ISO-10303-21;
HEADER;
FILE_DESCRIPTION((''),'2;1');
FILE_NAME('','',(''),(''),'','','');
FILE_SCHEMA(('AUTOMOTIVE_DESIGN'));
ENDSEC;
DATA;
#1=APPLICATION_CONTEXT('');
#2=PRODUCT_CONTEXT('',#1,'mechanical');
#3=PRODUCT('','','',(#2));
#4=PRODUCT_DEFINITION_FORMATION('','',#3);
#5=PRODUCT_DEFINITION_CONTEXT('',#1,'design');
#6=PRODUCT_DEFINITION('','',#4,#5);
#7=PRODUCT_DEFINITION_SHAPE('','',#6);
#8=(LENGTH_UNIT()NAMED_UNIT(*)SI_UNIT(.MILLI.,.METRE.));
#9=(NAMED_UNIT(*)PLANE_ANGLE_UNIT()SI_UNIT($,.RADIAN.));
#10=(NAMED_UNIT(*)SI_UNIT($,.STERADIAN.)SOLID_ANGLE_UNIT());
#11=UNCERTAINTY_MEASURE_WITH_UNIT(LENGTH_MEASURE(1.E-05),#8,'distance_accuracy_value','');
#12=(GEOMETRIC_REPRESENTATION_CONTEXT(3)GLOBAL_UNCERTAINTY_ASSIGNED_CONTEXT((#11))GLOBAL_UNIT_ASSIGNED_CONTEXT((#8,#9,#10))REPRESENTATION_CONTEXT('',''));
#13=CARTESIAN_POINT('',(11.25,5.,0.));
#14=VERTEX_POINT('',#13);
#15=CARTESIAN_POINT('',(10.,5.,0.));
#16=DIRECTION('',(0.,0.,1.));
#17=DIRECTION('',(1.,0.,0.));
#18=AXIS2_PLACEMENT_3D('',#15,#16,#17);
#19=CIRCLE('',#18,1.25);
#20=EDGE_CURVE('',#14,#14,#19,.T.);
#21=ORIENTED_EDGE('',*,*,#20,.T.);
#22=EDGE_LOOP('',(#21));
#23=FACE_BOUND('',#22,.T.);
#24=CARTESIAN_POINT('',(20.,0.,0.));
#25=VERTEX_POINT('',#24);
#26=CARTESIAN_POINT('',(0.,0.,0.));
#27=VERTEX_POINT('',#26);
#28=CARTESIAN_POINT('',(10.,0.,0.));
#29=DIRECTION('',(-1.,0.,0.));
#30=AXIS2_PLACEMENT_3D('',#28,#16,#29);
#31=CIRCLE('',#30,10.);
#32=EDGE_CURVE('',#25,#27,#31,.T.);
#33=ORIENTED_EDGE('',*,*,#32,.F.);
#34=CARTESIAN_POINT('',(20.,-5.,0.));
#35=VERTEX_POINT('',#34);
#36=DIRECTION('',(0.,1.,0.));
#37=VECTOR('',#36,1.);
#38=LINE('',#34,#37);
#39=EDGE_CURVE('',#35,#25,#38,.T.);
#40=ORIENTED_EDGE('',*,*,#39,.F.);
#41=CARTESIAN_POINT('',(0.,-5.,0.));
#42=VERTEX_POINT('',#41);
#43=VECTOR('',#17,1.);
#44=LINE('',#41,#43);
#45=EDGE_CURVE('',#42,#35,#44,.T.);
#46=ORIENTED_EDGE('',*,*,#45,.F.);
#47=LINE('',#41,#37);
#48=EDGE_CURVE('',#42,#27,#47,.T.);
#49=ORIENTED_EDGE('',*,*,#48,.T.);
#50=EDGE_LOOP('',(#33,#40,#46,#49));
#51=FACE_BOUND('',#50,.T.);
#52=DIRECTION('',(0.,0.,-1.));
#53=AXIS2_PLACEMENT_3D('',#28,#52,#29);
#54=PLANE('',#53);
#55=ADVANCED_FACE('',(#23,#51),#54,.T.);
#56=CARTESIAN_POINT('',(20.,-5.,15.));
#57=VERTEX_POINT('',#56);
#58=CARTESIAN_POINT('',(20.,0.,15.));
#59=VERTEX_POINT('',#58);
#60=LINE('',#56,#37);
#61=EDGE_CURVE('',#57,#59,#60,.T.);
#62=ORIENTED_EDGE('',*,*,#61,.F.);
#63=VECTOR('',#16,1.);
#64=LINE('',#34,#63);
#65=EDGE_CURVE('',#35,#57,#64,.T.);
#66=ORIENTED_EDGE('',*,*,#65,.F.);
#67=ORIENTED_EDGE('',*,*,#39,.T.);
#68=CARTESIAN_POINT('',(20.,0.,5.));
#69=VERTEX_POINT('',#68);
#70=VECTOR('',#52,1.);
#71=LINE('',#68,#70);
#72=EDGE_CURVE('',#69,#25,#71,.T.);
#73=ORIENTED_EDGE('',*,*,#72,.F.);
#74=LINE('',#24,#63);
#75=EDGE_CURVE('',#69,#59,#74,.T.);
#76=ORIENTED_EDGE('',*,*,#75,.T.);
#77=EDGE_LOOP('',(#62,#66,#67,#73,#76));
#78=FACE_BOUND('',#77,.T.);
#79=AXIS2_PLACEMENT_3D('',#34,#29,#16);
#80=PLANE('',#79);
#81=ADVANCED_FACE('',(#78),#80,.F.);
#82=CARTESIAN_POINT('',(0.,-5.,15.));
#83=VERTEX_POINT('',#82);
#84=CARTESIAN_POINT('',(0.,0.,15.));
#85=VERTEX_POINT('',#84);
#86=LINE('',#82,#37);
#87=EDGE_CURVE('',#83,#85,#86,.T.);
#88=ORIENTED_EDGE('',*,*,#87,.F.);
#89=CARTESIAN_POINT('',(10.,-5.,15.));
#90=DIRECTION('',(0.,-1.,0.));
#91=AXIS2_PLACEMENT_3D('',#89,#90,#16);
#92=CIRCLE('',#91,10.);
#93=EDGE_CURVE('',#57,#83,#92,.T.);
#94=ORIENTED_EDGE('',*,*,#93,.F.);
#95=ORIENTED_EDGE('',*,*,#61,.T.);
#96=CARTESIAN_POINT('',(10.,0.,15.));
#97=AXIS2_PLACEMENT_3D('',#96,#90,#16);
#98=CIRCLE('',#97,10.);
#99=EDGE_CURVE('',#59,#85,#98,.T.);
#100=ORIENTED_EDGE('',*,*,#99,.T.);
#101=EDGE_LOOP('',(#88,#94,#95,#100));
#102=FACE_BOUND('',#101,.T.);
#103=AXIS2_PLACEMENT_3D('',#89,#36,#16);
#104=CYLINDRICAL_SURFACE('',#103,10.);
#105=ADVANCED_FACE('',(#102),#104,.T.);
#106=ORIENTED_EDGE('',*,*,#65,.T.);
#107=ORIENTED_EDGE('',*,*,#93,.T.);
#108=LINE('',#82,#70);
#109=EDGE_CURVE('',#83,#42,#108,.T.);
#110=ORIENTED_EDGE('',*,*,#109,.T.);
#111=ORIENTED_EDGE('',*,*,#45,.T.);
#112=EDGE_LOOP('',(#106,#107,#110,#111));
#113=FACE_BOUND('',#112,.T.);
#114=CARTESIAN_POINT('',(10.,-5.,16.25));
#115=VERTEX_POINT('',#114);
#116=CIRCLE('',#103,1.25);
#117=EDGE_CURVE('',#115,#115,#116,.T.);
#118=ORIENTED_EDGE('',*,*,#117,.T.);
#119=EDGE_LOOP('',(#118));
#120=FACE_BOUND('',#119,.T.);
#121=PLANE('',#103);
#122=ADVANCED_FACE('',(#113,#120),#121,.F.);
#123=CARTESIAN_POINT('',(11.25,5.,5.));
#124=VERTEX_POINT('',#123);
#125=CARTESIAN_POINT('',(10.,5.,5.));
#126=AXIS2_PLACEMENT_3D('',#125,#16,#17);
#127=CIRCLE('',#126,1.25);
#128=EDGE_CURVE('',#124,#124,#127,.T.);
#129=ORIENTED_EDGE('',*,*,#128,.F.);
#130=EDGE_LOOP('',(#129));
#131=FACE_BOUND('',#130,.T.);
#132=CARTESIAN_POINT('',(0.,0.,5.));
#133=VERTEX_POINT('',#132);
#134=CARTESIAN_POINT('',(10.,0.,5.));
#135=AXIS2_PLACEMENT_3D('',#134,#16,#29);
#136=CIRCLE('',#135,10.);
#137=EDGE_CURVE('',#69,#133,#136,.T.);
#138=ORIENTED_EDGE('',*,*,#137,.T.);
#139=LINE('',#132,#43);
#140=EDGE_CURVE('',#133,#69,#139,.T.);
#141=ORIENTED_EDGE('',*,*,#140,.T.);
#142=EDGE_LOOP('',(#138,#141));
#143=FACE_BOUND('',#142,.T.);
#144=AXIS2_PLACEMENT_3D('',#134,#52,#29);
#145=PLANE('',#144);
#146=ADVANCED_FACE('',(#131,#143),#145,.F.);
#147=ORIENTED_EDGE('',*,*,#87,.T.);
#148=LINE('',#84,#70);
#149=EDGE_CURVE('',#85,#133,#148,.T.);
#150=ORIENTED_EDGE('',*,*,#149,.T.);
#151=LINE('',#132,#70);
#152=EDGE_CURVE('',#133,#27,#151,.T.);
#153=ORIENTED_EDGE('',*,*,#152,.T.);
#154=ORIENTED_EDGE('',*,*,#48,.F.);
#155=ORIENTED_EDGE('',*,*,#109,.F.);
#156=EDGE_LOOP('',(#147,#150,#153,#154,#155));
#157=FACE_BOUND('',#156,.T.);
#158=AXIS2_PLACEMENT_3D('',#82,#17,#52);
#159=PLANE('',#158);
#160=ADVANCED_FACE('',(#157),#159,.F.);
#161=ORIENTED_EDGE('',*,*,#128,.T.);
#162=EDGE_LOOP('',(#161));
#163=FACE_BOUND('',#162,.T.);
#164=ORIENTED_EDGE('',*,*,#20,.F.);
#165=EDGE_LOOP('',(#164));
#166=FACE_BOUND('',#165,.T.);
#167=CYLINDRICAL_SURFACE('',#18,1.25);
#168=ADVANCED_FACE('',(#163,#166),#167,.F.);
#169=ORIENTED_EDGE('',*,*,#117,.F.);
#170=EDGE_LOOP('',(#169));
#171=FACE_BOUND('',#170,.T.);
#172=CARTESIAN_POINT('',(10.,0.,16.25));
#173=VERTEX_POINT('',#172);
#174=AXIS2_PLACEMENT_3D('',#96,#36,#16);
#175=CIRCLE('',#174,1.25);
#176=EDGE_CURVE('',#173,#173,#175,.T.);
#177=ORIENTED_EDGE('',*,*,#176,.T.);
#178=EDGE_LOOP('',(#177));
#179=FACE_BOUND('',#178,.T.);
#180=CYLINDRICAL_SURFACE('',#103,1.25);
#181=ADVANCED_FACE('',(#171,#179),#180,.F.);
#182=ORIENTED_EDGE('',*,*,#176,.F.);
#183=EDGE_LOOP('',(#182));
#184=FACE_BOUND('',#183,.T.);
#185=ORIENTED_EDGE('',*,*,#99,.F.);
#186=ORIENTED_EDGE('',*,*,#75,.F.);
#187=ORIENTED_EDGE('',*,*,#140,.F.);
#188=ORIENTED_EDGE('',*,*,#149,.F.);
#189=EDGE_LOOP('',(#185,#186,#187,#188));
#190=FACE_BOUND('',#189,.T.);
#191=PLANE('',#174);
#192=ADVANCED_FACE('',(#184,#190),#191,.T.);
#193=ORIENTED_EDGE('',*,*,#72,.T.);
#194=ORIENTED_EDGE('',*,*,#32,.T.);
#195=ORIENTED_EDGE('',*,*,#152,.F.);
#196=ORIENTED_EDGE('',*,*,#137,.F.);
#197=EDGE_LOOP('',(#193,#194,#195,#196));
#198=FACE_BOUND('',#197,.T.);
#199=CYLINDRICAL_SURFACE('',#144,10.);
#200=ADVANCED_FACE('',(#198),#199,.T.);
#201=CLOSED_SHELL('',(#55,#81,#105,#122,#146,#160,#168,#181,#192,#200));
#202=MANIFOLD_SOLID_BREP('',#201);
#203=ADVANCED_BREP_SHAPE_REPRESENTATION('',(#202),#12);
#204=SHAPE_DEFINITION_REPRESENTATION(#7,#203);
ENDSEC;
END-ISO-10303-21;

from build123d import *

# Parameters (mm, degrees)
Y_KSEKLIK_EKSTR_ZYON1_DEPTH = 5
Y_KSEKLIK_EKSTR_ZYON2_DEPTH = 5
IZIM3_R                     = 1.25
KES_EKSTR_ZYON1_DEPTH       = 5
IZIM4_R                     = 1.25
KES_EKSTR_ZYON2_DEPTH       = 5


with BuildPart() as part:
    # Çizim1 → Yükseklik-Ekstrüzyon1 (new body)
    with BuildSketch(Plane.XY):
        with BuildLine():
            Line((0, 0), (20, 0))
            ThreePointArc((20, 0), (10, 10), (0, 0))
        make_face()
    extrude(amount=Y_KSEKLIK_EKSTR_ZYON1_DEPTH)

    # Çizim2 → Yükseklik-Ekstrüzyon2 (add)
    with BuildSketch(Plane.XZ):
        with BuildLine():
            Line((0, 15), (0, 0))
            Line((0, 0), (20, 0))
            Line((20, 0), (20, 15))
            ThreePointArc((20, 15), (10, 25), (0, 15))
        make_face()
    extrude(amount=Y_KSEKLIK_EKSTR_ZYON2_DEPTH)

    # Çizim3 → Kes-Ekstrüzyon1 (cut)
    with BuildSketch(Plane.XY.offset(5)):
        with Locations((10, 5)):
            Circle(IZIM3_R)
    extrude(amount=-KES_EKSTR_ZYON1_DEPTH, mode=Mode.SUBTRACT)

    # Çizim4 → Kes-Ekstrüzyon2 (cut)
    with BuildSketch(Plane(origin=(0, 0, 0), x_dir=(1, 0, 0), z_dir=(0, 1, 0))):
        with Locations(Location((10, -15, 0), (0, 0, 270))):
            Circle(IZIM4_R)
    extrude(amount=-KES_EKSTR_ZYON2_DEPTH, mode=Mode.SUBTRACT)


solid = part.part
